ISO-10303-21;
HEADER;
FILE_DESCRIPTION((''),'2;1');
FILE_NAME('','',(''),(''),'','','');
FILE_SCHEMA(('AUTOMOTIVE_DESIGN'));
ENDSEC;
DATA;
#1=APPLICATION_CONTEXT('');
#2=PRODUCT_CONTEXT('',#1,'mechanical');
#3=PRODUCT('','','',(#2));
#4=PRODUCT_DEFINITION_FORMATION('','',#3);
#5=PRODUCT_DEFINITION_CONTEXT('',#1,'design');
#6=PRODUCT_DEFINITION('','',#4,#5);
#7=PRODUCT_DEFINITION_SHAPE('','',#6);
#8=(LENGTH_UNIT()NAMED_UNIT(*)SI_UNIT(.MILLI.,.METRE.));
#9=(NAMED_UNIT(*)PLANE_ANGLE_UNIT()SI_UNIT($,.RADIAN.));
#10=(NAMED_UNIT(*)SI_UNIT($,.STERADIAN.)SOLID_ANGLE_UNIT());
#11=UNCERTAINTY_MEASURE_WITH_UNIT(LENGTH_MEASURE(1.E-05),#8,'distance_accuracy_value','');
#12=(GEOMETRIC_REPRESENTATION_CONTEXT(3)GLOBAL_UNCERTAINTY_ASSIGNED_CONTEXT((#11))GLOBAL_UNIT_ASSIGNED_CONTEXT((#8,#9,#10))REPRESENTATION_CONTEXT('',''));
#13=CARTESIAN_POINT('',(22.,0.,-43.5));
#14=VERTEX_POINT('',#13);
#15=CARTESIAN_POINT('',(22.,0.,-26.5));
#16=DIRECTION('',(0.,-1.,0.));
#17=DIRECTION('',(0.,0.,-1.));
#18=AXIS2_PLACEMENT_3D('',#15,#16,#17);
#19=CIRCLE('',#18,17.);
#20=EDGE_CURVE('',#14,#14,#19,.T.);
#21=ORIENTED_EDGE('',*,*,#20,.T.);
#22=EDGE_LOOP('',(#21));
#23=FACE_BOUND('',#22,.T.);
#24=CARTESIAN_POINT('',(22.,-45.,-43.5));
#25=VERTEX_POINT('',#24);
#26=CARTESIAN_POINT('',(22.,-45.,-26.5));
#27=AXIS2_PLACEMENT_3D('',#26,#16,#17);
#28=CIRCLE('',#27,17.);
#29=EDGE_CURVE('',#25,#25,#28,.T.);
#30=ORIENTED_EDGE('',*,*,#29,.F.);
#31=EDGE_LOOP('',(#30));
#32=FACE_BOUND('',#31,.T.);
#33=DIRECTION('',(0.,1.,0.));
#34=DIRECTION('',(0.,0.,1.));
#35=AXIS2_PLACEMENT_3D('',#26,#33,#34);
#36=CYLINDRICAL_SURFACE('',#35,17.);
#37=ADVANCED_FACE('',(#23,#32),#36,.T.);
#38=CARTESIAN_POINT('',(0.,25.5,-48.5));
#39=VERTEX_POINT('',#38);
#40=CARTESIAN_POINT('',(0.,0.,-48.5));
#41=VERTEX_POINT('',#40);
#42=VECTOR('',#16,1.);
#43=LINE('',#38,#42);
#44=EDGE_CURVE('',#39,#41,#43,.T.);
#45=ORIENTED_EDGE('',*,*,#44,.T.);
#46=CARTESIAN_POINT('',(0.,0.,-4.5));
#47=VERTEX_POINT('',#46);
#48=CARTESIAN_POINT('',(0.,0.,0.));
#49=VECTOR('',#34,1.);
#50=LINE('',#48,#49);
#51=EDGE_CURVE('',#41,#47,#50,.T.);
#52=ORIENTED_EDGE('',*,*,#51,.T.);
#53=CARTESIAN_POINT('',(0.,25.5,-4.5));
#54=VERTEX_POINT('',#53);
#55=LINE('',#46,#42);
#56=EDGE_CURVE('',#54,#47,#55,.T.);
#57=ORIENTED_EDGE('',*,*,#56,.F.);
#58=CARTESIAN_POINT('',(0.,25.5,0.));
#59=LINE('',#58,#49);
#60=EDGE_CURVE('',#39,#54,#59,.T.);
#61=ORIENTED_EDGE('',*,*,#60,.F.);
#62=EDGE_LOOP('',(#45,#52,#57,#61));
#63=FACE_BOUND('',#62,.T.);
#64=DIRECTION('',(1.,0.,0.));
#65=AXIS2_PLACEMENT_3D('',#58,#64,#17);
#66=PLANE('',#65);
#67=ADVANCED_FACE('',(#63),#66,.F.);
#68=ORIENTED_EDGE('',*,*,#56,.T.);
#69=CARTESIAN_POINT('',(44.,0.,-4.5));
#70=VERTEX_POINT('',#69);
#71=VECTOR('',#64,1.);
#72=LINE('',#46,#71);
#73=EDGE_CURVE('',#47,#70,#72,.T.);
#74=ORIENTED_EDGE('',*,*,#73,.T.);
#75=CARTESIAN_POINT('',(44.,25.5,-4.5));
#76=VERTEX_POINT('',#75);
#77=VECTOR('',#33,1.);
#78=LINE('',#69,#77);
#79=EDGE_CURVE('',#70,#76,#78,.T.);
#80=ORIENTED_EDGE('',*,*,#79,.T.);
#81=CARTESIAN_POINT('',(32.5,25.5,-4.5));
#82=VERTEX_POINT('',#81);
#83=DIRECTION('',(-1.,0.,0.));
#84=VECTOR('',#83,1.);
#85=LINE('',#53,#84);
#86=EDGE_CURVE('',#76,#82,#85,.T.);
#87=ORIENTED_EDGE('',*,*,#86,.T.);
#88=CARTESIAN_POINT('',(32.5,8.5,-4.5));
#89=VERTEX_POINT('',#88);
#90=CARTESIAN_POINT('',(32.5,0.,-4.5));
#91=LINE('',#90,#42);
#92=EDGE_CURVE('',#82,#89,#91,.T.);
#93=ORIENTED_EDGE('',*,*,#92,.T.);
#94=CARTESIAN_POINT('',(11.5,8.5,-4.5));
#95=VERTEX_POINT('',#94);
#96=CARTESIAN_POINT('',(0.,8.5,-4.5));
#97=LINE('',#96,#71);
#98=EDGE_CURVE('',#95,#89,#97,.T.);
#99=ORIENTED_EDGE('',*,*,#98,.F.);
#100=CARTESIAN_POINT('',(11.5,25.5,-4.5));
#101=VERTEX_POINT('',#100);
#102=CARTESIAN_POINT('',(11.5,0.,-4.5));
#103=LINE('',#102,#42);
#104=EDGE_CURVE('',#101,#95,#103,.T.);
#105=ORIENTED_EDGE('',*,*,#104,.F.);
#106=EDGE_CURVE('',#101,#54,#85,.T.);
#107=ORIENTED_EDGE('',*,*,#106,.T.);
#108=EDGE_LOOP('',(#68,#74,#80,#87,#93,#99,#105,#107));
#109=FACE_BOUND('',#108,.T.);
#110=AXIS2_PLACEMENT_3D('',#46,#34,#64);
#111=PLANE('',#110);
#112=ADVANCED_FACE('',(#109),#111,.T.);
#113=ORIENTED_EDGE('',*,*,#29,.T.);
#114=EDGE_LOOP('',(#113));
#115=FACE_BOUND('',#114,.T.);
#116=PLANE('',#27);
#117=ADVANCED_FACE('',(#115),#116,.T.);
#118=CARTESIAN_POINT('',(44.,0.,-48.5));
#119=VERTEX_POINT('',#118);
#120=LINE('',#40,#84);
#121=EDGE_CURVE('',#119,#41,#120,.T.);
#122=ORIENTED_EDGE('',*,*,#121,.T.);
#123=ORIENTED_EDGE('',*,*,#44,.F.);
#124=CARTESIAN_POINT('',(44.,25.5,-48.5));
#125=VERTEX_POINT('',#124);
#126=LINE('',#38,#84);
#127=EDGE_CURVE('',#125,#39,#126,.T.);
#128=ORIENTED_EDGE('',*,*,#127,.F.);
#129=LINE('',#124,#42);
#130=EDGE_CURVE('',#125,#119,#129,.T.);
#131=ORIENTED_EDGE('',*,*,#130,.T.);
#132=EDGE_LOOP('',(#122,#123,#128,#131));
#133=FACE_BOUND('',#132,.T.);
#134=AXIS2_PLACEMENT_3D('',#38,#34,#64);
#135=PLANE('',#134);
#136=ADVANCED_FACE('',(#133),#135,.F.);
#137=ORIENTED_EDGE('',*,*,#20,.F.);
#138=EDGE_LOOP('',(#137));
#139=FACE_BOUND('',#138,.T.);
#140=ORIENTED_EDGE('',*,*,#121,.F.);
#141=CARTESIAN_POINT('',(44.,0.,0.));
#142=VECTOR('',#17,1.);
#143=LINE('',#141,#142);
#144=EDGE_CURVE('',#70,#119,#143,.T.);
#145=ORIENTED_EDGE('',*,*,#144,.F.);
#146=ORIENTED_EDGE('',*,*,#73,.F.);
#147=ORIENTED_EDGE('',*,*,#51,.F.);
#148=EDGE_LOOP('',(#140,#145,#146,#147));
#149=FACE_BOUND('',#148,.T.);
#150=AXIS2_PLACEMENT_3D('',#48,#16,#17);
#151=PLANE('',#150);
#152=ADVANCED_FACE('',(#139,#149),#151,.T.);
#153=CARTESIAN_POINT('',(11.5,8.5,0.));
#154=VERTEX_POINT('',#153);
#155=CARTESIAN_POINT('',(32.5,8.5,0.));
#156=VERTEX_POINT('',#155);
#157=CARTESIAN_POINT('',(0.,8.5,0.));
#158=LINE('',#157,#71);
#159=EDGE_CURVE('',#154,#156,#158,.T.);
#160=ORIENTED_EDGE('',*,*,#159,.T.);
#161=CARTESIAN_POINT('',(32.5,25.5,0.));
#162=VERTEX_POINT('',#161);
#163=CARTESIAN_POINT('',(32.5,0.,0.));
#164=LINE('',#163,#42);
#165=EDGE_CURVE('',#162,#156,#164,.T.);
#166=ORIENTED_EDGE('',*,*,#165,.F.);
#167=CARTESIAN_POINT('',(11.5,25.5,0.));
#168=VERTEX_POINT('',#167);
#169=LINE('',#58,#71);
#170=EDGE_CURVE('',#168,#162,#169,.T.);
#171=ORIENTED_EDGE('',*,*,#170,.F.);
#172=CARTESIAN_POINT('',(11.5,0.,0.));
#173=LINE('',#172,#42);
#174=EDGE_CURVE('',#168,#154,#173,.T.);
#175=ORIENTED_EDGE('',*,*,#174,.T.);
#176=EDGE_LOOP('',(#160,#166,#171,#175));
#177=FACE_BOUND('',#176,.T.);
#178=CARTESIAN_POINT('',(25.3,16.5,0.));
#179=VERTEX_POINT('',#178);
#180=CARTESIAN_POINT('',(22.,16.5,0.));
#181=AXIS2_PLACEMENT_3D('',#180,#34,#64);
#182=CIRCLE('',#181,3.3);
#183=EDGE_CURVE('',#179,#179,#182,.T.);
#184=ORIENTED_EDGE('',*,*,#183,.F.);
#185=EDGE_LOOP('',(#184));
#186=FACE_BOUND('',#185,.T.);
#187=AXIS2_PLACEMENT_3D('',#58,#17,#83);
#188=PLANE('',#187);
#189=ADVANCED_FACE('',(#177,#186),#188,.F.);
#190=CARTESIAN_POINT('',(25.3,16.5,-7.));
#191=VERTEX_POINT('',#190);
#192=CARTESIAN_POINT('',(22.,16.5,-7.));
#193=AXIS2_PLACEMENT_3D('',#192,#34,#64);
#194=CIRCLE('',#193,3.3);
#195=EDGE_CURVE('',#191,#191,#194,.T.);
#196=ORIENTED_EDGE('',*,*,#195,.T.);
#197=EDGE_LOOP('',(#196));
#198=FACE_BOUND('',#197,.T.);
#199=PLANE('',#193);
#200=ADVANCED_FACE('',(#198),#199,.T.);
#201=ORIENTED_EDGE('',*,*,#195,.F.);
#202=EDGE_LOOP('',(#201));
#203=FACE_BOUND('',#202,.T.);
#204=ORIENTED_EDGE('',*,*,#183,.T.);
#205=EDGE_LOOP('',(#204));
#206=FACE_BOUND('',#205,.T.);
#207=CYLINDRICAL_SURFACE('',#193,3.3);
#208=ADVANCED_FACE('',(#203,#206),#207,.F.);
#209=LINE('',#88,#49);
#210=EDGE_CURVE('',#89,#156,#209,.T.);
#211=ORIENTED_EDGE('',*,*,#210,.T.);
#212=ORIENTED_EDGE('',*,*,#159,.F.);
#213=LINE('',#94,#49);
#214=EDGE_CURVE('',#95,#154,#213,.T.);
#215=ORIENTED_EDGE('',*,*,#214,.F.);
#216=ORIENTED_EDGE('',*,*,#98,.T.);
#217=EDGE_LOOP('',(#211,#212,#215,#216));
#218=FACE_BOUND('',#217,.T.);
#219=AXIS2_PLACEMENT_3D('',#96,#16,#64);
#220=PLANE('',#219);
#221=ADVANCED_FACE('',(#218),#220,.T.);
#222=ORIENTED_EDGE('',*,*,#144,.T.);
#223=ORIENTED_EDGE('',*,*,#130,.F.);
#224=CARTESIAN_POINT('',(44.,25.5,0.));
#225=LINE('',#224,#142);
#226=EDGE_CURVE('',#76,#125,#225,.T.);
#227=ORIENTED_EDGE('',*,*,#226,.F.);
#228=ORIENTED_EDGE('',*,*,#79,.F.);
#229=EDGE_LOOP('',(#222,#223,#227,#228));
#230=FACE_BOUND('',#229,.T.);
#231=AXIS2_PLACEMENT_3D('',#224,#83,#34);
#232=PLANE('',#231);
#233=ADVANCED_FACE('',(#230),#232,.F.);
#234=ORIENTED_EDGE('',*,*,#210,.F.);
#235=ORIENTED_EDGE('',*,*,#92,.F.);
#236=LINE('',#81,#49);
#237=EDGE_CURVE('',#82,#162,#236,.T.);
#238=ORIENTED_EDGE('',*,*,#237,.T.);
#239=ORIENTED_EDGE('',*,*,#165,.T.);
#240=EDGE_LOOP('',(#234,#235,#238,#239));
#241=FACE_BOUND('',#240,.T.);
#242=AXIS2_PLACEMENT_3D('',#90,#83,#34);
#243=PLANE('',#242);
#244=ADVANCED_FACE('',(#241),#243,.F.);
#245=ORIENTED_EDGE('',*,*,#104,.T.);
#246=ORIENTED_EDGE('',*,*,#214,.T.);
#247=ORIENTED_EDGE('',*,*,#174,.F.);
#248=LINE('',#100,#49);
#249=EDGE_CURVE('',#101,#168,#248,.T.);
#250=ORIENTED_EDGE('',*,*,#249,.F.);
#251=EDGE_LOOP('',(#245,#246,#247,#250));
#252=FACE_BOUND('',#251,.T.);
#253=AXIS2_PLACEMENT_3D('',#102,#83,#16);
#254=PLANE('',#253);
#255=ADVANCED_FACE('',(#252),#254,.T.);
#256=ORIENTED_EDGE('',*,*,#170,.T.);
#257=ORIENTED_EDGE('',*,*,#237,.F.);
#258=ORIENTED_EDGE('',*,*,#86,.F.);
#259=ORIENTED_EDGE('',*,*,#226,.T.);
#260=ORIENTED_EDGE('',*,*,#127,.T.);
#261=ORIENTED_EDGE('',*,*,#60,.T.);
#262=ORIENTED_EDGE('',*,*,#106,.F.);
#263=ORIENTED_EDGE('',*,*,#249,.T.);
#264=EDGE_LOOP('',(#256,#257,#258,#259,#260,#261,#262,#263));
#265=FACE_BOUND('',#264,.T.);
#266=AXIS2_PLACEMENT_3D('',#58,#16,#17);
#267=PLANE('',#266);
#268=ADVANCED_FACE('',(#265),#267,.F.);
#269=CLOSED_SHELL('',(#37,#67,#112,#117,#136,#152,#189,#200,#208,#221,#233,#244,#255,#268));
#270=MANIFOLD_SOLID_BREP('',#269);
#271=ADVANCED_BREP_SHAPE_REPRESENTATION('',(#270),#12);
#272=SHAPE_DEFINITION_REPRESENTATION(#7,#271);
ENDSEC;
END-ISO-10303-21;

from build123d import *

# Parameters (mm, degrees)
SKETCH1_W           = 44
SKETCH1_H           = 48.5
BOSS_EXTRUDE1_DEPTH = 25.5
CUT_EXTRUDE1_DEPTH  = 4.5
SKETCH3_R           = 3.3
CUT_EXTRUDE2_DEPTH  = 7
SKETCH4_R           = 17
BOSS_EXTRUDE2_DEPTH = 45


with BuildPart() as part:
    # Sketch1 → Boss-Extrude1 (new body)
    with BuildSketch(Plane(origin=(0, 0, 0), x_dir=(1, 0, 0), z_dir=(0, 1, 0))):
        with Locations((22, 24.25)):
            Rectangle(SKETCH1_W, SKETCH1_H)
    extrude(amount=BOSS_EXTRUDE1_DEPTH)

    # Sketch2 → Cut-Extrude1 (cut)
    with BuildSketch(Plane.XY):
        Polygon((11.5, 8.5), (11.5, 25.5), (0, 25.5), (0, 0), (44, 0), (44, 25.5), (32.5, 25.5), (32.5, 8.5), align=None)
    extrude(amount=-CUT_EXTRUDE1_DEPTH, mode=Mode.SUBTRACT)

    # Sketch3 → Cut-Extrude2 (cut)
    with BuildSketch(Plane.XY):
        with Locations((22, 16.5)):
            Circle(SKETCH3_R)
    extrude(amount=-CUT_EXTRUDE2_DEPTH, mode=Mode.SUBTRACT)

    # Sketch4 → Boss-Extrude2 (add)
    with BuildSketch(Plane.XZ):
        with Locations(Location((22, -26.5, 0), (0, 0, 270))):  # turned: the seam where the file's is
            Circle(SKETCH4_R)
    extrude(amount=BOSS_EXTRUDE2_DEPTH)


solid = part.part
